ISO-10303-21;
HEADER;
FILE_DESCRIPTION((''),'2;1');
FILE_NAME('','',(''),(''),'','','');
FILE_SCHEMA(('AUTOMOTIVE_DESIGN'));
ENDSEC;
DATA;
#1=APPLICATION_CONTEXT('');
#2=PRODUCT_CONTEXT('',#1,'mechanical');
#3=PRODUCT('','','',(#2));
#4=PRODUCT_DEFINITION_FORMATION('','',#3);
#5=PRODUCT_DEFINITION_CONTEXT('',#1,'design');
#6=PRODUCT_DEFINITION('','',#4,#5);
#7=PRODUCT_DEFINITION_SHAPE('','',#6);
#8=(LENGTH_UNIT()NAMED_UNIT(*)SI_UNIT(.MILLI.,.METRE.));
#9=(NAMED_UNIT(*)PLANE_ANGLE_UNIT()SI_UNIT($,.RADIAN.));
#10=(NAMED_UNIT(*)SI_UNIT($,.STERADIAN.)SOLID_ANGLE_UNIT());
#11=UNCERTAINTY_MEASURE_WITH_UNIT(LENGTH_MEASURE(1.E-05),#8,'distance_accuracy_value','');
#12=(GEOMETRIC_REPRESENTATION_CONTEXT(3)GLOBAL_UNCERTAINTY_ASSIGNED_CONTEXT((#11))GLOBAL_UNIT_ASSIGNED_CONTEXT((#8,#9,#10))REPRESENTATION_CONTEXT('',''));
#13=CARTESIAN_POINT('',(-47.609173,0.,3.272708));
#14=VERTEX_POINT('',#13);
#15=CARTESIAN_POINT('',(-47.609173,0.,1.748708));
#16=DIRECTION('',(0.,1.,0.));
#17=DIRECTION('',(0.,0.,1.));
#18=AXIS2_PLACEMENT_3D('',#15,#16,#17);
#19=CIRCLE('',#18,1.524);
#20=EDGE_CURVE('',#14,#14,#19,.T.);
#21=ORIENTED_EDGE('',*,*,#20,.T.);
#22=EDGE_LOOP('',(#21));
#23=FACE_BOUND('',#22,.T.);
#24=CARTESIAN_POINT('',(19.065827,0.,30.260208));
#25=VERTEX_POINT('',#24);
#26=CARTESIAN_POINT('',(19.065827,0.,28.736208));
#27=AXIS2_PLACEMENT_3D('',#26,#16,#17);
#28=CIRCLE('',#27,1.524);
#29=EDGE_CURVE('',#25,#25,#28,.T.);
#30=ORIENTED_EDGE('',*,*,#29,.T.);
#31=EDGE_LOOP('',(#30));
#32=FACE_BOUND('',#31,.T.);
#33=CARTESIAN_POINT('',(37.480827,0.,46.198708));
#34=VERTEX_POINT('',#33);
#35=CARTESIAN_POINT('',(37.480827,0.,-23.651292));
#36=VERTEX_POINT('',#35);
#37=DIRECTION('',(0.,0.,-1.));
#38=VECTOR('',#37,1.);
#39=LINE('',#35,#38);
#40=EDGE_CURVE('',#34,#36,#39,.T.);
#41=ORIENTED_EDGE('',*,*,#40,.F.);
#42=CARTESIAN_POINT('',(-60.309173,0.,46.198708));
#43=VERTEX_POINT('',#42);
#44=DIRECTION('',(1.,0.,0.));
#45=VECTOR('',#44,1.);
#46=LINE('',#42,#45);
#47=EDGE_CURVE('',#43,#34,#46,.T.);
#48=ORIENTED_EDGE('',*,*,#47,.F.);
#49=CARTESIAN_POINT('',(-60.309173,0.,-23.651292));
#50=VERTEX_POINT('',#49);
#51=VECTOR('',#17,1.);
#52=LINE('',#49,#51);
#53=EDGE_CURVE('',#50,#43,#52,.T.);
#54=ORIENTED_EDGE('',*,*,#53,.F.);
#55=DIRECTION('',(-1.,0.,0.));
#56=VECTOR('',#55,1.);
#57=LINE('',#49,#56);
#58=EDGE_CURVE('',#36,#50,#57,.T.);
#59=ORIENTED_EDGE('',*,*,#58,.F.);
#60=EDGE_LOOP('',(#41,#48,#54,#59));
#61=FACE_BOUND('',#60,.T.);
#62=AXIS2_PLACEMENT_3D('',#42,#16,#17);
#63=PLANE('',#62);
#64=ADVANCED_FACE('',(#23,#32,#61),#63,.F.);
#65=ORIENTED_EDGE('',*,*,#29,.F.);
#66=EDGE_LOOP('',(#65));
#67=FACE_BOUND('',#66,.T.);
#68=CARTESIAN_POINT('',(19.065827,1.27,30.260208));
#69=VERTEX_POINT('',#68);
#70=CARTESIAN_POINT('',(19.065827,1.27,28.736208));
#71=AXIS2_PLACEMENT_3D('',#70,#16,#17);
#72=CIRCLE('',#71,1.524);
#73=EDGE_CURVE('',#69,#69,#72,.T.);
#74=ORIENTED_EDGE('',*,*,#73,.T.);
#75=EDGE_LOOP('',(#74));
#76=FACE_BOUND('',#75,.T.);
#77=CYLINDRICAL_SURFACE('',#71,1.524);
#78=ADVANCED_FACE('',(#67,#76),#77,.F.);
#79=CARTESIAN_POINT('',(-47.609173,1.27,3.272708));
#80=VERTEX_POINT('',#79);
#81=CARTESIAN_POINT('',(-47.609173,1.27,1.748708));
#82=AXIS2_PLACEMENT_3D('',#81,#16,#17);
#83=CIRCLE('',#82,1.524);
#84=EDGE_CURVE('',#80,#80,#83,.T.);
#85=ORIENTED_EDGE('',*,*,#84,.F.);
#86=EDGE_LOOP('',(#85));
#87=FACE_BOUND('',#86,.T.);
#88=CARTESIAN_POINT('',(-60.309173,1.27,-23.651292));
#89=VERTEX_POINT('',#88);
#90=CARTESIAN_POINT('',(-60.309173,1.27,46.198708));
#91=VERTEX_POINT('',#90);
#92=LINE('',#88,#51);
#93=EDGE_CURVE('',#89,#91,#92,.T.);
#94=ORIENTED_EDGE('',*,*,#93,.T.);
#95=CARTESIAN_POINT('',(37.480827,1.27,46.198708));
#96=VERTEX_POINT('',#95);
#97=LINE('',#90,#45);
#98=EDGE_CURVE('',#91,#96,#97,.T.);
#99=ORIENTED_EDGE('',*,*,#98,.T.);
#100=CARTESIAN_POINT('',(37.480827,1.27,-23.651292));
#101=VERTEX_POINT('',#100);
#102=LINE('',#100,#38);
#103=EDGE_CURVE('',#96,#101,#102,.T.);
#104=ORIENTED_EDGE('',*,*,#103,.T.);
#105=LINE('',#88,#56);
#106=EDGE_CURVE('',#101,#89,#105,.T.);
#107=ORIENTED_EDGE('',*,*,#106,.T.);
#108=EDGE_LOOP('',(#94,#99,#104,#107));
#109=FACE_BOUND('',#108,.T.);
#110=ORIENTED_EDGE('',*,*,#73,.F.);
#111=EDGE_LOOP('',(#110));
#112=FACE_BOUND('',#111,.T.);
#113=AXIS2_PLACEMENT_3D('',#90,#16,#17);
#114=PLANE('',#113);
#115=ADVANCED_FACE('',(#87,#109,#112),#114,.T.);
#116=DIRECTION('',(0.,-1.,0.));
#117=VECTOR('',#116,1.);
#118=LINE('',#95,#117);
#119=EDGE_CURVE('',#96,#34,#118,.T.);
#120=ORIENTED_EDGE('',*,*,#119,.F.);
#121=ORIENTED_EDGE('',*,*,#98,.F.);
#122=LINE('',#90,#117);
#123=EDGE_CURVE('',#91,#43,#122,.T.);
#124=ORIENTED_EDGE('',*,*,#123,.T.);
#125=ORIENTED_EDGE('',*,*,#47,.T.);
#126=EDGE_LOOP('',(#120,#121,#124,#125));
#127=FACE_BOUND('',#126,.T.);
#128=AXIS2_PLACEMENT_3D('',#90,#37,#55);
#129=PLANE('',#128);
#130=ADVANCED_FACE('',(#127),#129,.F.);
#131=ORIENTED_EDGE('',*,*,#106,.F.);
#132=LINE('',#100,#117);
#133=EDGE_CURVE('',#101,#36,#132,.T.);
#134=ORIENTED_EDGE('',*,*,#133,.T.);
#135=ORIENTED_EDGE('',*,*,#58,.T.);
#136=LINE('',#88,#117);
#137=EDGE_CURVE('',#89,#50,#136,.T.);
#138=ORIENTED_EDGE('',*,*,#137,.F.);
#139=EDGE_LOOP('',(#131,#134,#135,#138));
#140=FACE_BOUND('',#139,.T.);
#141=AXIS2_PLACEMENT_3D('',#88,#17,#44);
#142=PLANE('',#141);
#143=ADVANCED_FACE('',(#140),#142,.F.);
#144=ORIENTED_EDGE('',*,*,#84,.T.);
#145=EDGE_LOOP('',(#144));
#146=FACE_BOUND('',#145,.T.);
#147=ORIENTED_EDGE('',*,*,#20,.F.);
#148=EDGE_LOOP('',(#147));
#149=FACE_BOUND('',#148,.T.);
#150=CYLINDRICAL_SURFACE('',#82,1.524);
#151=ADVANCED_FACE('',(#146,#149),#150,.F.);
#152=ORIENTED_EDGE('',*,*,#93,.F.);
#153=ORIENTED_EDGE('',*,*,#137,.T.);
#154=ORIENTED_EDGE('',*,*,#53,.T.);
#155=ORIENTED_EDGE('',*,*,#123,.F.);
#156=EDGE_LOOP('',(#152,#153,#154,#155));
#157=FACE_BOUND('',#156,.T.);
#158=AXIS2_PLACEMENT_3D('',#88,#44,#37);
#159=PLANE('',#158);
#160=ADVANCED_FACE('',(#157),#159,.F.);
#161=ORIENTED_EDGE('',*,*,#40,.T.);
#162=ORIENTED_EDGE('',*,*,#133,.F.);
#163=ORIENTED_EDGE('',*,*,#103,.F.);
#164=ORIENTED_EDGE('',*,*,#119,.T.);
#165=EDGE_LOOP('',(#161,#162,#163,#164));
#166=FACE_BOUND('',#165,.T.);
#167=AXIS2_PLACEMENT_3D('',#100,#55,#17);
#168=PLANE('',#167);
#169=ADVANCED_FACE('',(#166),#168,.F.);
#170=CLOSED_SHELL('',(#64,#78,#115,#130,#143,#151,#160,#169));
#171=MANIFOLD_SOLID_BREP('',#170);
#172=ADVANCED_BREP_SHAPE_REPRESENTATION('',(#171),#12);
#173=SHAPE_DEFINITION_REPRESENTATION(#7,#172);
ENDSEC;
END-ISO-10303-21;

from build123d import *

# Parameters (mm, degrees)
SKETCH1_W                       = 97.79
SKETCH1_H                       = 69.85
EXTRUDE1_DEPTH                  = 1.27
TAP_DRILL_FOR_4_HELICOIL1_D     = 3.048
TAP_DRILL_FOR_4_HELICOIL1_DEPTH = 25.4
TAP_DRILL_FOR_4_HELICOIL1_TIP   = 0.915711583


with BuildPart() as part:
    # Sketch1 → Extrude1 (new body)
    with BuildSketch(Plane(origin=(0, 0, 0), x_dir=(1, 0, 0), z_dir=(0, 1, 0))):
        with Locations((-11.414173127, -11.27370801)):
            Rectangle(SKETCH1_W, SKETCH1_H)
    extrude(amount=EXTRUDE1_DEPTH)

    # Tap Drill for #4 Helicoil1
    with Locations(Plane(origin=(19.065826873, 1.27, 28.73620801), x_dir=(0, 0, 1), z_dir=(0, 1, 0))):
        with Locations((0, 0), (-26.9875, -66.675)):
            Hole(TAP_DRILL_FOR_4_HELICOIL1_D / 2, depth=TAP_DRILL_FOR_4_HELICOIL1_DEPTH)
            with Locations((0, 0, -(TAP_DRILL_FOR_4_HELICOIL1_DEPTH + TAP_DRILL_FOR_4_HELICOIL1_TIP / 2))):  # 118° drill point
                Cone(0, TAP_DRILL_FOR_4_HELICOIL1_D / 2, TAP_DRILL_FOR_4_HELICOIL1_TIP, mode=Mode.SUBTRACT)


solid = part.part
